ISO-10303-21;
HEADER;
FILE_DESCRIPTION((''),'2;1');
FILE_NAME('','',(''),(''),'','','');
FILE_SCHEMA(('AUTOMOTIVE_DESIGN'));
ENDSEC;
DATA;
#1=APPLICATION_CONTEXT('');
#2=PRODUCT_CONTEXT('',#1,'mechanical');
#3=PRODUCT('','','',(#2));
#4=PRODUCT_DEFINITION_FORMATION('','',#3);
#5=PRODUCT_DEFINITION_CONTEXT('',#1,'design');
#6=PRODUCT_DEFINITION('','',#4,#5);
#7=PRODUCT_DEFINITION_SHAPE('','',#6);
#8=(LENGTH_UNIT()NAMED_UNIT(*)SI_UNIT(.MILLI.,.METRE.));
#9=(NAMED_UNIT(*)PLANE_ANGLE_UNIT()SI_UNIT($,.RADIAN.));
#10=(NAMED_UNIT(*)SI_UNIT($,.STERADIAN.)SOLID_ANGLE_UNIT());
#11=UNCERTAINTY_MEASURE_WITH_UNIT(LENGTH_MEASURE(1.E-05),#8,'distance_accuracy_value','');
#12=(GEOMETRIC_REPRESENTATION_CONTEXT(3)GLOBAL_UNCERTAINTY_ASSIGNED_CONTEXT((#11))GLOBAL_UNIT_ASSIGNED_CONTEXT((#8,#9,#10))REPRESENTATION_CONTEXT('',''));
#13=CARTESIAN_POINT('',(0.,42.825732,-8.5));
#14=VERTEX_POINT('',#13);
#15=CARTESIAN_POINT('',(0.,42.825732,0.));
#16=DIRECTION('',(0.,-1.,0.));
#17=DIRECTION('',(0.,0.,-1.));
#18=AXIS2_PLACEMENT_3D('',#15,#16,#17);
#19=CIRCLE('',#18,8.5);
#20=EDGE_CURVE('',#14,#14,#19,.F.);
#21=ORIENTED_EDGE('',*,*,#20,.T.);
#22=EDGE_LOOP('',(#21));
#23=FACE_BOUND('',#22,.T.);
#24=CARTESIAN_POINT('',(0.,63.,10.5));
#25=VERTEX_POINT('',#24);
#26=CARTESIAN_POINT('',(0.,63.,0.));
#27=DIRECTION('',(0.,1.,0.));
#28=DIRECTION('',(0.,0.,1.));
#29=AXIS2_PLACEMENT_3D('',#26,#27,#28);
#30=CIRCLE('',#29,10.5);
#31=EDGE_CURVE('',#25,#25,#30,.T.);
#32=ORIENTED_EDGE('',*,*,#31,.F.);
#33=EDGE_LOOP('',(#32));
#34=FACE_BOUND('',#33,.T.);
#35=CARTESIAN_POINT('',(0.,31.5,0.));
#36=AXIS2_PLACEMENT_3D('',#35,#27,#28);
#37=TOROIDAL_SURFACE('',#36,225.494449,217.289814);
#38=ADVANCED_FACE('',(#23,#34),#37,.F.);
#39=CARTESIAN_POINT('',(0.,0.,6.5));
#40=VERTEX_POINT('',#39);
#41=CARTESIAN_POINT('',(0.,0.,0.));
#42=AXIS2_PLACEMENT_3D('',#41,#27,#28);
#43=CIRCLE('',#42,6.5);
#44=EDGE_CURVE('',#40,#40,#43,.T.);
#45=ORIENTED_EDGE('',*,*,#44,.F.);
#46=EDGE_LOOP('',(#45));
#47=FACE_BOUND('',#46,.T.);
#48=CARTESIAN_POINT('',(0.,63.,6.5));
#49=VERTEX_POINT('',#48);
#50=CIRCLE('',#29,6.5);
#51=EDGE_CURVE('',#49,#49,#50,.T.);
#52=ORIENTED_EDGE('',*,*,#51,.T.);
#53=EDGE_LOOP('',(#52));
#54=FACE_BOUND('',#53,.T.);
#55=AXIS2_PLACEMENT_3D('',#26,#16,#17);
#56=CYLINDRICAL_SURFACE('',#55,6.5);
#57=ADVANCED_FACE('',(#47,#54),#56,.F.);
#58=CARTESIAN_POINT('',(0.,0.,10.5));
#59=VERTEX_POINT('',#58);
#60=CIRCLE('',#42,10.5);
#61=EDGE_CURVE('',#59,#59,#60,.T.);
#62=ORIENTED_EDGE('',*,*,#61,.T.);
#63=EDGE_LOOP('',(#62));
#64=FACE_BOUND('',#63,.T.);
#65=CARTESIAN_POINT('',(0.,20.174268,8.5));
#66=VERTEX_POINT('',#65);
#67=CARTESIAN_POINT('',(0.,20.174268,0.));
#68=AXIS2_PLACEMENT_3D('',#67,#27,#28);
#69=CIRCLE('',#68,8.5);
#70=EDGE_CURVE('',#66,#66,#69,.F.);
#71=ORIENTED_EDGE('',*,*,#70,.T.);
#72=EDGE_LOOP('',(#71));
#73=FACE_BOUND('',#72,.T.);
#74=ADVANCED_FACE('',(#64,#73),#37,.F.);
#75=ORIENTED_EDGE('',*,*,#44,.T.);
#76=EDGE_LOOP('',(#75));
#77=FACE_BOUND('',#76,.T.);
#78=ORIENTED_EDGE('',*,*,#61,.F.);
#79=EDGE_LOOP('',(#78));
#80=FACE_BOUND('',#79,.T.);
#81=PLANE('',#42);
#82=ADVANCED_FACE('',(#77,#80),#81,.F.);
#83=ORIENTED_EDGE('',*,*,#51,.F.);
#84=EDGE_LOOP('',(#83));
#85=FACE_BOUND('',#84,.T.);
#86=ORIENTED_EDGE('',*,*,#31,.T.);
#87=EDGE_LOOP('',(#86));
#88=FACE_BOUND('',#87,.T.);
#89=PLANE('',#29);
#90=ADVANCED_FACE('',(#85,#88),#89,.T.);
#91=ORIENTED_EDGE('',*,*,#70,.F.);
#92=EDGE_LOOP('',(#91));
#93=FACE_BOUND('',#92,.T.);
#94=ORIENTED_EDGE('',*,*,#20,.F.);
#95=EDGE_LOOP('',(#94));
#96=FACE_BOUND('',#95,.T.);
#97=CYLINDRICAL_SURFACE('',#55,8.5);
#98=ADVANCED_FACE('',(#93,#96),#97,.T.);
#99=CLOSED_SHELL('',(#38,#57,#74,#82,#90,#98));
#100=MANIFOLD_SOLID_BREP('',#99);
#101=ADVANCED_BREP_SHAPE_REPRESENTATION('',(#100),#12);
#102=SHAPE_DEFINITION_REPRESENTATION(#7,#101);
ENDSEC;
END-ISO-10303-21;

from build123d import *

# Parameters (mm, degrees)
SKETCH1_R           = 8.5
SKETCH1_R_2         = 6.5
BOSS_EXTRUDE1_DEPTH = 63


with BuildPart() as part:
    # Sketch1 → Boss-Extrude1 (new body)
    with BuildSketch(Plane(origin=(0, 0, 0), x_dir=(1, 0, 0), z_dir=(0, 1, 0))):
        with Locations(Location((0, 0, 0), (0, 0, 270))):
            Circle(SKETCH1_R)
        with Locations(Location((0, 0, 0), (0, 0, 270))):
            Circle(SKETCH1_R_2, mode=Mode.SUBTRACT)
    extrude(amount=BOSS_EXTRUDE1_DEPTH)

    # Sketch2 → Revolve1 (revolve)
    with BuildSketch(Plane.XY, mode=Mode.PRIVATE) as revolve1_sk:
        with BuildLine():
            Line((6.5, 63), (6.5, 0))
            Line((6.5, 0), (10.5, 0))
            ThreePointArc((10.5, 0), (8.204635387, 31.5), (10.5, 63))
            Line((10.5, 63), (6.5, 63))
        make_face()
    revolve(revolve1_sk.sketch.rotate(Axis((0, 65.415, 0), (0, -1, 0)), 90), axis=Axis((0, 65.415, 0), (0, -1, 0)))


solid = part.part
